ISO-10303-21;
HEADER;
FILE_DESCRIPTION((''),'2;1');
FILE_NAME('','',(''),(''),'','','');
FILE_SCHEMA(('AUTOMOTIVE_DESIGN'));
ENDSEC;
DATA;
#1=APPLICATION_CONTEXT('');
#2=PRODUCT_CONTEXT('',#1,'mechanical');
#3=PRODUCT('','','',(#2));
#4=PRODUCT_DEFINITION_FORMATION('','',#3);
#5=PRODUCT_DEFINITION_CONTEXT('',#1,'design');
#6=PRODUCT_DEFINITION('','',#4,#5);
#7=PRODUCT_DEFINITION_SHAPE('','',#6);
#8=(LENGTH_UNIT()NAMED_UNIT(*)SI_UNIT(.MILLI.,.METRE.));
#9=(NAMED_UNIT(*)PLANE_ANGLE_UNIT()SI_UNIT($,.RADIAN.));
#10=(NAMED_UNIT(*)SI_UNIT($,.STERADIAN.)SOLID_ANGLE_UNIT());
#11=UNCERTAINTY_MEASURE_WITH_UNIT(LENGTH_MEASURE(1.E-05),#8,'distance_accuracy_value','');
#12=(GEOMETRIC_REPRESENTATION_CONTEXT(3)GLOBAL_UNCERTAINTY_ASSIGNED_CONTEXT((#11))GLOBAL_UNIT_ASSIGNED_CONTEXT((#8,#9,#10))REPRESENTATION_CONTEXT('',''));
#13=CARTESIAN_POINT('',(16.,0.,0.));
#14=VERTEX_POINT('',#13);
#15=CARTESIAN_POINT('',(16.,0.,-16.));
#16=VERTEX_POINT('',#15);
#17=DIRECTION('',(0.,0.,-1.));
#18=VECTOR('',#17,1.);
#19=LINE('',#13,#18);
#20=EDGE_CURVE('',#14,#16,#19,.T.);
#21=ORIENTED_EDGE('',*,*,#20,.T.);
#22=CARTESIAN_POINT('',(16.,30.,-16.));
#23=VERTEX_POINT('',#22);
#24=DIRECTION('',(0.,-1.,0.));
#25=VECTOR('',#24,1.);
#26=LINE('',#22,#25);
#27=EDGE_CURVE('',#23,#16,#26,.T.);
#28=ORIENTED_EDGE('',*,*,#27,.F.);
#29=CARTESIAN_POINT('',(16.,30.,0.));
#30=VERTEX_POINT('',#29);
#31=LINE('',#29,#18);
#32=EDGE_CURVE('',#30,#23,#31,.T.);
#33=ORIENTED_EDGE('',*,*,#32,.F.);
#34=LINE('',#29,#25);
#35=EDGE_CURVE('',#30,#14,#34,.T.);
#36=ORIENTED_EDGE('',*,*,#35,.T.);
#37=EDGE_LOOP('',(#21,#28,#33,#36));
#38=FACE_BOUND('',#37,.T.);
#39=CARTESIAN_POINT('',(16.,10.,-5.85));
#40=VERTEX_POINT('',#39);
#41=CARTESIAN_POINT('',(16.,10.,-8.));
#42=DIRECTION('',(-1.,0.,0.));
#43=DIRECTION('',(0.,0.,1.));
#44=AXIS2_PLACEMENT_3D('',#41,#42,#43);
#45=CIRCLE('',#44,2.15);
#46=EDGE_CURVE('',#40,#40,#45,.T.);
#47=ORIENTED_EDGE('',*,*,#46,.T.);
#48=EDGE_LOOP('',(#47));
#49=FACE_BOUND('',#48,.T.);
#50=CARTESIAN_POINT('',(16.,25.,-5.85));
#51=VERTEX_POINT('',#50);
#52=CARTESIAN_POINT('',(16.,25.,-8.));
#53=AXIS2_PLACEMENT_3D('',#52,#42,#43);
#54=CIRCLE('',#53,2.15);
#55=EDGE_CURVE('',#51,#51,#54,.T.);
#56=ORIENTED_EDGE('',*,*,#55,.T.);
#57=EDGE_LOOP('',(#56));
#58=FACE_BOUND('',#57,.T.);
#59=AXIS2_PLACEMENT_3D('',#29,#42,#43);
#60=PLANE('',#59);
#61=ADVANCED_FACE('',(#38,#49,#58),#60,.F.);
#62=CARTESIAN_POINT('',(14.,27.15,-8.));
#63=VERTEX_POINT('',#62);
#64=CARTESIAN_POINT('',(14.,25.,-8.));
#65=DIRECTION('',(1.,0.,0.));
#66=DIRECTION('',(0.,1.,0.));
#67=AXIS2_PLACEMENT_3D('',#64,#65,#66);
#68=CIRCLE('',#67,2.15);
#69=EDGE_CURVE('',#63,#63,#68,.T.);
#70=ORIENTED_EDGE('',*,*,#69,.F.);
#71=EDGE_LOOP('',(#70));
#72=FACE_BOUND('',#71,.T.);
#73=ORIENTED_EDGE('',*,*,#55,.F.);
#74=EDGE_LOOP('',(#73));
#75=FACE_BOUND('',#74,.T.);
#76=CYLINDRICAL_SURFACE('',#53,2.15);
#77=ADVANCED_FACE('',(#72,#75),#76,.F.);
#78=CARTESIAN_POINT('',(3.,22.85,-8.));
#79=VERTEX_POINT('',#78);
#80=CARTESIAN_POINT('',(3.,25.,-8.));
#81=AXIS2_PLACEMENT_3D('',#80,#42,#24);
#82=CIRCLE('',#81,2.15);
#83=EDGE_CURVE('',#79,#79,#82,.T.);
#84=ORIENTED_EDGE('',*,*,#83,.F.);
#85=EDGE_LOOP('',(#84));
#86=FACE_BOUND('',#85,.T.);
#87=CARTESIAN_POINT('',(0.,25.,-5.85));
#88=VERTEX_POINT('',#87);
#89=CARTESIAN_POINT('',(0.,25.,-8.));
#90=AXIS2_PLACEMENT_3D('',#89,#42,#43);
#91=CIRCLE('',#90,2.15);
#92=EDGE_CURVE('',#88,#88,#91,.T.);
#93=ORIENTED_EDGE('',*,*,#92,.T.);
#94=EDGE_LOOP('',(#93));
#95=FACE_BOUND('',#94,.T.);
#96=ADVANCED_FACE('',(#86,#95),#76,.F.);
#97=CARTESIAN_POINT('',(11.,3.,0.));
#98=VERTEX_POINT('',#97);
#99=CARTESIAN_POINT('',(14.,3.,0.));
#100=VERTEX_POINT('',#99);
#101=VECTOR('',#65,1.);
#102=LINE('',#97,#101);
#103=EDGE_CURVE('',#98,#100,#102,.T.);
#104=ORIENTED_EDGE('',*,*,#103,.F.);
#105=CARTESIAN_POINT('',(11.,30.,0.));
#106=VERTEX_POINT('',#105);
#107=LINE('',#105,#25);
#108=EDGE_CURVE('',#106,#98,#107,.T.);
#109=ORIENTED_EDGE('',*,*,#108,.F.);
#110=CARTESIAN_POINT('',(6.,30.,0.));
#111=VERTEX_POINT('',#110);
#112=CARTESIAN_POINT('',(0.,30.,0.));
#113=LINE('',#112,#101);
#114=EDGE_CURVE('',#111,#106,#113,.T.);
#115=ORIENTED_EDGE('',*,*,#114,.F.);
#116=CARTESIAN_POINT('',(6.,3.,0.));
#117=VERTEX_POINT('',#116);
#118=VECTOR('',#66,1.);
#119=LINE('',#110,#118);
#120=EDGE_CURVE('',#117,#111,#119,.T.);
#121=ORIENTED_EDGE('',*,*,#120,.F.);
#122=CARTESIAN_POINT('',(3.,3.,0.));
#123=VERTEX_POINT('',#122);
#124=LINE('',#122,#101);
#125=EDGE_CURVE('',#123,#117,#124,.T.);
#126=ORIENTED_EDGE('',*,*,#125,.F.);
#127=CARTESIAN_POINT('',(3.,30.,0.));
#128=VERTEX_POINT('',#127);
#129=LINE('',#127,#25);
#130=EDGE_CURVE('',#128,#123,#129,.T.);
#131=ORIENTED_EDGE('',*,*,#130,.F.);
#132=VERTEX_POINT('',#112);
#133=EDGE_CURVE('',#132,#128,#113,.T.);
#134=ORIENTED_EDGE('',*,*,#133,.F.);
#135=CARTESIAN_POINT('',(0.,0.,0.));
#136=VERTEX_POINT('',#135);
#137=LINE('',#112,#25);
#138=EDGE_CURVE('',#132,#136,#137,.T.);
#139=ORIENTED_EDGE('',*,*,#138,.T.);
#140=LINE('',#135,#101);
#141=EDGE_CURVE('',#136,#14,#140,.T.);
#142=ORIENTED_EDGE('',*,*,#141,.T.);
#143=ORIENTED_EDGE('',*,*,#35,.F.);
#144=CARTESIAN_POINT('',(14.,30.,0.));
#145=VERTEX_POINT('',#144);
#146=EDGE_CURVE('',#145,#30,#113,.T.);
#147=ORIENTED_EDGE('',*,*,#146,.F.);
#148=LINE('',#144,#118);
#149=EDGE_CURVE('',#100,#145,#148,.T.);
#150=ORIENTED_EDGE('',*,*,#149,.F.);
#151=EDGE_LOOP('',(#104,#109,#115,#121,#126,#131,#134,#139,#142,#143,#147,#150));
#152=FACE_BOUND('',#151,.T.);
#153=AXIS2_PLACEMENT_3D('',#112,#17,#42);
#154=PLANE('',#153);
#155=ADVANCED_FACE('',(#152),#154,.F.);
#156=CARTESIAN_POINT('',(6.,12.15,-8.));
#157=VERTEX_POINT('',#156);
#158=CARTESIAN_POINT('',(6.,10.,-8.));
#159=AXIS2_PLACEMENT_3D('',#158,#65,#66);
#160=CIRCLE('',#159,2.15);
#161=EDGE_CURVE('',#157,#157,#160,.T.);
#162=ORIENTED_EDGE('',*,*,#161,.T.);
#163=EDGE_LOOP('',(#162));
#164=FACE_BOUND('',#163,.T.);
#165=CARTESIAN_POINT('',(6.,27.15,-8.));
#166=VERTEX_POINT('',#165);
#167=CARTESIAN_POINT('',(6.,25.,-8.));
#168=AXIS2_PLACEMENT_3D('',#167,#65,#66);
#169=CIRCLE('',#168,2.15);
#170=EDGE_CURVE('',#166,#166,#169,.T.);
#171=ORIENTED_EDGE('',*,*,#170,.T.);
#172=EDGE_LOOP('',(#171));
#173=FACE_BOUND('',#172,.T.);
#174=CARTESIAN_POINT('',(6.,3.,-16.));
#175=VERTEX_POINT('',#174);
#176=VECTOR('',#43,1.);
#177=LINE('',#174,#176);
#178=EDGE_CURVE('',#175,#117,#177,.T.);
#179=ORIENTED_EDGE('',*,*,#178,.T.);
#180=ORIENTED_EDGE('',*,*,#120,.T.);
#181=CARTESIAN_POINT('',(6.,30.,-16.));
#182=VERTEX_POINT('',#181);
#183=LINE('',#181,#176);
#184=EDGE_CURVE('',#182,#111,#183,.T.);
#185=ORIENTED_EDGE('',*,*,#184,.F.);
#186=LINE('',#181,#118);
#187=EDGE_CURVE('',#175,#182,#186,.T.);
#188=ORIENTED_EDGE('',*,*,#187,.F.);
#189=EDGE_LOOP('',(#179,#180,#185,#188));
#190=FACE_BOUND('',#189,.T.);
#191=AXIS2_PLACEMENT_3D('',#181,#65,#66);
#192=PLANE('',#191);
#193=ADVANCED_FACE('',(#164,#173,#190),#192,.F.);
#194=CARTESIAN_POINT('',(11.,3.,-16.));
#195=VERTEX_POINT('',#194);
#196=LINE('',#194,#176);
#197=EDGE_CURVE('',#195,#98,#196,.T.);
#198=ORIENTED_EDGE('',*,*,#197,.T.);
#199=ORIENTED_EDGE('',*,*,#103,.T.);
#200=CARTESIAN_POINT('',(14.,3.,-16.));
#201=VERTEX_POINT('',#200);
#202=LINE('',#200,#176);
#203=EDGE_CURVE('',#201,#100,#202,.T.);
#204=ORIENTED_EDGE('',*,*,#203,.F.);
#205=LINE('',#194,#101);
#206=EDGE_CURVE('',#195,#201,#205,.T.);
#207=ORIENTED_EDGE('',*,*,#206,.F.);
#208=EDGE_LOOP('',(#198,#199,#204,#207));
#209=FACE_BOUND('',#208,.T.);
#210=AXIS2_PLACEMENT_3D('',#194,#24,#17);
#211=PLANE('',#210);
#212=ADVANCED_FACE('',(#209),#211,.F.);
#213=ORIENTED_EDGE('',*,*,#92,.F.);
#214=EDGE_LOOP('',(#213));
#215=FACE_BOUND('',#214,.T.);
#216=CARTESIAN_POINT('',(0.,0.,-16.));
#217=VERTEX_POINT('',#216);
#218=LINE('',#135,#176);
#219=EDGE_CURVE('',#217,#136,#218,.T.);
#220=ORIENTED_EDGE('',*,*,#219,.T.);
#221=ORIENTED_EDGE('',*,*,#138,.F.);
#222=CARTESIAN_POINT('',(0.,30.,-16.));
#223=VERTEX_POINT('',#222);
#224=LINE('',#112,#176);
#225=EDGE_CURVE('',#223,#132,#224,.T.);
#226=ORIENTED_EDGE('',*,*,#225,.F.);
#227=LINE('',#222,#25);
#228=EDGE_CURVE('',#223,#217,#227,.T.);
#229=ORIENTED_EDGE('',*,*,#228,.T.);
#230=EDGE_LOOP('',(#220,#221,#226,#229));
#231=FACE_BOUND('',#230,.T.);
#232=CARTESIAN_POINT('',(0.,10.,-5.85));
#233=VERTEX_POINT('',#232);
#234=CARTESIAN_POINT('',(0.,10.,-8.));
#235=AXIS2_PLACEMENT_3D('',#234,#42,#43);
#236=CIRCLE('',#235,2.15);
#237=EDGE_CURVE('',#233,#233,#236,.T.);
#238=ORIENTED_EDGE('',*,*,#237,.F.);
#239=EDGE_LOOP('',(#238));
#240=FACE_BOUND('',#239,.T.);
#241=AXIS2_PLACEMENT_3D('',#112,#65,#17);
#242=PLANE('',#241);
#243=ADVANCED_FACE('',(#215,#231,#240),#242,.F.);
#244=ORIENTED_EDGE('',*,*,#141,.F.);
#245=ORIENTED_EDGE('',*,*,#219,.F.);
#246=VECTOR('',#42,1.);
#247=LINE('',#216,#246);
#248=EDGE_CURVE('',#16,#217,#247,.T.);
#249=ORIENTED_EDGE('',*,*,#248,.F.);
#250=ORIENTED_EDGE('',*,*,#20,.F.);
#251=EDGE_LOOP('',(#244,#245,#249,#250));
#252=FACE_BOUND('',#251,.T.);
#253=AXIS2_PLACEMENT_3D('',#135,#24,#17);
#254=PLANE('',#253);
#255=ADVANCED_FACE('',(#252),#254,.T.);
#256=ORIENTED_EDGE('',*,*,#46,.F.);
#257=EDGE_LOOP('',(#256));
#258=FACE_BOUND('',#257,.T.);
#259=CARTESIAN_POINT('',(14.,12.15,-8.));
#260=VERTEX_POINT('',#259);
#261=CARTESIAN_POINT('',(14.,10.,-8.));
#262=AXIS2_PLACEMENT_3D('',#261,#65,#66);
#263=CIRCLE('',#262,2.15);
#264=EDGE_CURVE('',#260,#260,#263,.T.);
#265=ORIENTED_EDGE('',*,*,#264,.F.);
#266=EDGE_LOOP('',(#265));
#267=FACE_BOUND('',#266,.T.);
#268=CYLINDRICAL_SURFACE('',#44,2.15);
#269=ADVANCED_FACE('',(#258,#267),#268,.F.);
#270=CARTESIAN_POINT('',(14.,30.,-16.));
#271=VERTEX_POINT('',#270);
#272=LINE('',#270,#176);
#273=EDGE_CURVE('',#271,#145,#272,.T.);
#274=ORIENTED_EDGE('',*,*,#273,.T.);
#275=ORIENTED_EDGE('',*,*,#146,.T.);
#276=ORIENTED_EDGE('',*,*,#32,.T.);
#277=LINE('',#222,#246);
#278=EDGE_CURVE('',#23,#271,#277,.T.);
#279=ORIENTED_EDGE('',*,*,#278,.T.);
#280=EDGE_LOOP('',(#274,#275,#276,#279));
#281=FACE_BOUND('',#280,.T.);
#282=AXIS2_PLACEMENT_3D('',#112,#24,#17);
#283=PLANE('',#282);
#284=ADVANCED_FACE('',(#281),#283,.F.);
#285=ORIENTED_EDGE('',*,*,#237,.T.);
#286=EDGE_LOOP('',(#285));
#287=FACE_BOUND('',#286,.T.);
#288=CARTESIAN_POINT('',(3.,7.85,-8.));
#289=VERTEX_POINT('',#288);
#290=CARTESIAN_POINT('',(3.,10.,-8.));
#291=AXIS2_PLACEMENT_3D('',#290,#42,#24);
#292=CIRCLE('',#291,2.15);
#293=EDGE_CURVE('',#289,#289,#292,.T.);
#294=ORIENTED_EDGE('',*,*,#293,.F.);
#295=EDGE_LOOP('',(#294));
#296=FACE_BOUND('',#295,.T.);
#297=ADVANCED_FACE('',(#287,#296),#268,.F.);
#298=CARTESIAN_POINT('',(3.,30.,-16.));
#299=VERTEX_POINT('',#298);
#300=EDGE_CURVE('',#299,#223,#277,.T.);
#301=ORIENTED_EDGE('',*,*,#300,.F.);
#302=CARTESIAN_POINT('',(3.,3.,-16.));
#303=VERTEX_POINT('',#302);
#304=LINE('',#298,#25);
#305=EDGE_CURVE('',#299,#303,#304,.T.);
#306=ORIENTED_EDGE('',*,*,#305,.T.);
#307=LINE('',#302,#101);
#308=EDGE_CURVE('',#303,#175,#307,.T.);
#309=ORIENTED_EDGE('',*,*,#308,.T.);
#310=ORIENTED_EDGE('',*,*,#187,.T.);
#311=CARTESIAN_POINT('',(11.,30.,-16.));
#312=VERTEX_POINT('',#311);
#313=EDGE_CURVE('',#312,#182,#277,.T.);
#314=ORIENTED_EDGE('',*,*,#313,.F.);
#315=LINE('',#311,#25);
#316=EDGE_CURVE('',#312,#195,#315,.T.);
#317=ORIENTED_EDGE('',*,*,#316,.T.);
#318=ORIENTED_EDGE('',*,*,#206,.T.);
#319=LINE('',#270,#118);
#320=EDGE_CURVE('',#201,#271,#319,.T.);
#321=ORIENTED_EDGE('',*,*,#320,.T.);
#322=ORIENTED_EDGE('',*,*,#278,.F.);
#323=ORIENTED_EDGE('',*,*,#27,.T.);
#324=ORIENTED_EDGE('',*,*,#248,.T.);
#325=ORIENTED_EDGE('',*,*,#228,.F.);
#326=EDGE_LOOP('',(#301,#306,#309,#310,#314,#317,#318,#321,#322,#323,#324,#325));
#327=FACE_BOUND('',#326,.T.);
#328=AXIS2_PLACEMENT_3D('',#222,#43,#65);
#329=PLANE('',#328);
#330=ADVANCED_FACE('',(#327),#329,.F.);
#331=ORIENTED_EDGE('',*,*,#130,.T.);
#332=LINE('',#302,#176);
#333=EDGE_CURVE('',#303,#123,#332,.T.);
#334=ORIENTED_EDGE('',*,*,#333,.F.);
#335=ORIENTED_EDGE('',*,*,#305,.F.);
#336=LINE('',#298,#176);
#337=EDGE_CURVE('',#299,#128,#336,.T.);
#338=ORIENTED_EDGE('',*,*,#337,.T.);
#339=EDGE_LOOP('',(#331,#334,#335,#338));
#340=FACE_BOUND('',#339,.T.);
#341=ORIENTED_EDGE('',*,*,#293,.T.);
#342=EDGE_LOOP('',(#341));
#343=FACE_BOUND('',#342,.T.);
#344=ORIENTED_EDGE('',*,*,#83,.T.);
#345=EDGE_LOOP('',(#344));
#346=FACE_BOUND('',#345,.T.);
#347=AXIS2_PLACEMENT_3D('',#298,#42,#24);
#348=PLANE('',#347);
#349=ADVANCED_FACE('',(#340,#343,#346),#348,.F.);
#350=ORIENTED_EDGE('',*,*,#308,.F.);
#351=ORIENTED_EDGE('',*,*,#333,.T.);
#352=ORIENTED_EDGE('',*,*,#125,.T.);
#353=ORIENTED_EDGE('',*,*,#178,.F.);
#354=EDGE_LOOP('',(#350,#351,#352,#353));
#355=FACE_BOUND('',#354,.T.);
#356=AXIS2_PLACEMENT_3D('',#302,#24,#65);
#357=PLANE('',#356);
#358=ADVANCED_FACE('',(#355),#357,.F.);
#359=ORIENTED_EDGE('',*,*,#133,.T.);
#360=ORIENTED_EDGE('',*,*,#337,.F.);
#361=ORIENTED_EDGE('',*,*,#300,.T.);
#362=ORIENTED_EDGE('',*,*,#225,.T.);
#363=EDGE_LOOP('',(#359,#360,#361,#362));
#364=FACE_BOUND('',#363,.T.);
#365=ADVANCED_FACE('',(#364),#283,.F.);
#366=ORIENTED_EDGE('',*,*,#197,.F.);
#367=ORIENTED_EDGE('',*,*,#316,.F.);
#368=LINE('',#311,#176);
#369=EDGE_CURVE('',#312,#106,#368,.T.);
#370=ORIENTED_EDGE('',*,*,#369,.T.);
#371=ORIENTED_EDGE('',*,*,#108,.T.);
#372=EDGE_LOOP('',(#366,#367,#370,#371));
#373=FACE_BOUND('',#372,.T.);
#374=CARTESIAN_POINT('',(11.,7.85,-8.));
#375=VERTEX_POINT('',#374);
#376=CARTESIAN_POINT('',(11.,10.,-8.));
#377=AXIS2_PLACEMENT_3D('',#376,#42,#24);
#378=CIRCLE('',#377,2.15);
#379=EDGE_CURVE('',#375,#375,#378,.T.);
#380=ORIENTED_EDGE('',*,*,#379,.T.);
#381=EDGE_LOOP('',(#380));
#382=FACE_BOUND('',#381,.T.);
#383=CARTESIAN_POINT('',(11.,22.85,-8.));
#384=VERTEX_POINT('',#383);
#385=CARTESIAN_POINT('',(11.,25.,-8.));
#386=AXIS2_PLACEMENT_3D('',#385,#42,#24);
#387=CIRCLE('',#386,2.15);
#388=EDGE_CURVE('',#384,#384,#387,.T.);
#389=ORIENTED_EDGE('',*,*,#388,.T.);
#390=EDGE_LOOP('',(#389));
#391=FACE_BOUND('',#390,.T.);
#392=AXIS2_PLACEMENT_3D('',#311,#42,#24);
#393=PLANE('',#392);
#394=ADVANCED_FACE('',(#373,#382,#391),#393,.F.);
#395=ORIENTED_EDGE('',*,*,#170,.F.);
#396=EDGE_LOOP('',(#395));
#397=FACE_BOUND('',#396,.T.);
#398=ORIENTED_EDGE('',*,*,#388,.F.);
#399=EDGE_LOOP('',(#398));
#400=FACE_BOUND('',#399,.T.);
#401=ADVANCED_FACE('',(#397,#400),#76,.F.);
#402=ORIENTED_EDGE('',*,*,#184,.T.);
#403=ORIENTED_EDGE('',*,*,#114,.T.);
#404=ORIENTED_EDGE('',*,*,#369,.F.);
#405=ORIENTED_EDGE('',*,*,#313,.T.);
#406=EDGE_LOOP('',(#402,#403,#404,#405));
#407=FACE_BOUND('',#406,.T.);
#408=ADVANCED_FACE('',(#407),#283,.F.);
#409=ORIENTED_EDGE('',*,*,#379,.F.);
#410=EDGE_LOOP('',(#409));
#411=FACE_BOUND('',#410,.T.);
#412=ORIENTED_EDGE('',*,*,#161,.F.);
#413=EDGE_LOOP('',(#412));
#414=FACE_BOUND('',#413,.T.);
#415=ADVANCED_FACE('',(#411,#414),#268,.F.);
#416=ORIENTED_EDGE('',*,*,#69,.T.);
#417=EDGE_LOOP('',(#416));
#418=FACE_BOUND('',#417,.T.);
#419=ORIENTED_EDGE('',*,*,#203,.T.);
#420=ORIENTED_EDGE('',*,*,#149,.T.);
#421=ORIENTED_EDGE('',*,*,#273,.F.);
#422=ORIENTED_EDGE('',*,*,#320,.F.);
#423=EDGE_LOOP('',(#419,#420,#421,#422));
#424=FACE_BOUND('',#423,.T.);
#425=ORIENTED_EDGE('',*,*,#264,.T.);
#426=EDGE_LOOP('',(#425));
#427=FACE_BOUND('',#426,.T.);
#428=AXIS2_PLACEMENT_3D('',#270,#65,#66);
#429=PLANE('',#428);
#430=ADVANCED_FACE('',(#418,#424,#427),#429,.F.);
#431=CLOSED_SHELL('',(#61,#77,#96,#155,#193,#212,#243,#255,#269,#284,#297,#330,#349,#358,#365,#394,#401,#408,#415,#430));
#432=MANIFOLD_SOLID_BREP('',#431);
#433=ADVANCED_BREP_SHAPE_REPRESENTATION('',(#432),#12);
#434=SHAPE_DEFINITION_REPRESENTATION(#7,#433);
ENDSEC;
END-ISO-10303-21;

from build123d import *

# Parameters (mm, degrees)
SKETCH1_W           = 16
SKETCH1_H           = 16
BOSS_EXTRUDE1_DEPTH = 30
SKETCH2_W           = 3
SKETCH2_H           = 27
CUT_EXTRUDE1_DEPTH  = 17
SKETCH3_R           = 2.15
CUT_EXTRUDE2_DEPTH  = 17


with BuildPart() as part:
    # Sketch1 → Boss-Extrude1 (new body)
    with BuildSketch(Plane(origin=(0, 0, 0), x_dir=(1, 0, 0), z_dir=(0, 1, 0))):
        with Locations((8, 8)):
            Rectangle(SKETCH1_W, SKETCH1_H)
    extrude(amount=BOSS_EXTRUDE1_DEPTH)

    # Sketch2 → Cut-Extrude1 (cut, through all)
    with BuildSketch(Plane.XY):
        with Locations((4.5, 16.5)):
            Rectangle(SKETCH2_W, SKETCH2_H)
        with Locations((12.5, 16.5)):
            Rectangle(SKETCH2_W, SKETCH2_H)
    extrude(amount=-CUT_EXTRUDE1_DEPTH, mode=Mode.SUBTRACT)

    # Sketch3 → Cut-Extrude2 (cut, through all)
    with BuildSketch(Plane.ZY):
        with Locations((-8, 25)):
            Circle(SKETCH3_R)
        with Locations((-8, 10)):
            Circle(SKETCH3_R)
    extrude(amount=-CUT_EXTRUDE2_DEPTH, mode=Mode.SUBTRACT)


solid = part.part
